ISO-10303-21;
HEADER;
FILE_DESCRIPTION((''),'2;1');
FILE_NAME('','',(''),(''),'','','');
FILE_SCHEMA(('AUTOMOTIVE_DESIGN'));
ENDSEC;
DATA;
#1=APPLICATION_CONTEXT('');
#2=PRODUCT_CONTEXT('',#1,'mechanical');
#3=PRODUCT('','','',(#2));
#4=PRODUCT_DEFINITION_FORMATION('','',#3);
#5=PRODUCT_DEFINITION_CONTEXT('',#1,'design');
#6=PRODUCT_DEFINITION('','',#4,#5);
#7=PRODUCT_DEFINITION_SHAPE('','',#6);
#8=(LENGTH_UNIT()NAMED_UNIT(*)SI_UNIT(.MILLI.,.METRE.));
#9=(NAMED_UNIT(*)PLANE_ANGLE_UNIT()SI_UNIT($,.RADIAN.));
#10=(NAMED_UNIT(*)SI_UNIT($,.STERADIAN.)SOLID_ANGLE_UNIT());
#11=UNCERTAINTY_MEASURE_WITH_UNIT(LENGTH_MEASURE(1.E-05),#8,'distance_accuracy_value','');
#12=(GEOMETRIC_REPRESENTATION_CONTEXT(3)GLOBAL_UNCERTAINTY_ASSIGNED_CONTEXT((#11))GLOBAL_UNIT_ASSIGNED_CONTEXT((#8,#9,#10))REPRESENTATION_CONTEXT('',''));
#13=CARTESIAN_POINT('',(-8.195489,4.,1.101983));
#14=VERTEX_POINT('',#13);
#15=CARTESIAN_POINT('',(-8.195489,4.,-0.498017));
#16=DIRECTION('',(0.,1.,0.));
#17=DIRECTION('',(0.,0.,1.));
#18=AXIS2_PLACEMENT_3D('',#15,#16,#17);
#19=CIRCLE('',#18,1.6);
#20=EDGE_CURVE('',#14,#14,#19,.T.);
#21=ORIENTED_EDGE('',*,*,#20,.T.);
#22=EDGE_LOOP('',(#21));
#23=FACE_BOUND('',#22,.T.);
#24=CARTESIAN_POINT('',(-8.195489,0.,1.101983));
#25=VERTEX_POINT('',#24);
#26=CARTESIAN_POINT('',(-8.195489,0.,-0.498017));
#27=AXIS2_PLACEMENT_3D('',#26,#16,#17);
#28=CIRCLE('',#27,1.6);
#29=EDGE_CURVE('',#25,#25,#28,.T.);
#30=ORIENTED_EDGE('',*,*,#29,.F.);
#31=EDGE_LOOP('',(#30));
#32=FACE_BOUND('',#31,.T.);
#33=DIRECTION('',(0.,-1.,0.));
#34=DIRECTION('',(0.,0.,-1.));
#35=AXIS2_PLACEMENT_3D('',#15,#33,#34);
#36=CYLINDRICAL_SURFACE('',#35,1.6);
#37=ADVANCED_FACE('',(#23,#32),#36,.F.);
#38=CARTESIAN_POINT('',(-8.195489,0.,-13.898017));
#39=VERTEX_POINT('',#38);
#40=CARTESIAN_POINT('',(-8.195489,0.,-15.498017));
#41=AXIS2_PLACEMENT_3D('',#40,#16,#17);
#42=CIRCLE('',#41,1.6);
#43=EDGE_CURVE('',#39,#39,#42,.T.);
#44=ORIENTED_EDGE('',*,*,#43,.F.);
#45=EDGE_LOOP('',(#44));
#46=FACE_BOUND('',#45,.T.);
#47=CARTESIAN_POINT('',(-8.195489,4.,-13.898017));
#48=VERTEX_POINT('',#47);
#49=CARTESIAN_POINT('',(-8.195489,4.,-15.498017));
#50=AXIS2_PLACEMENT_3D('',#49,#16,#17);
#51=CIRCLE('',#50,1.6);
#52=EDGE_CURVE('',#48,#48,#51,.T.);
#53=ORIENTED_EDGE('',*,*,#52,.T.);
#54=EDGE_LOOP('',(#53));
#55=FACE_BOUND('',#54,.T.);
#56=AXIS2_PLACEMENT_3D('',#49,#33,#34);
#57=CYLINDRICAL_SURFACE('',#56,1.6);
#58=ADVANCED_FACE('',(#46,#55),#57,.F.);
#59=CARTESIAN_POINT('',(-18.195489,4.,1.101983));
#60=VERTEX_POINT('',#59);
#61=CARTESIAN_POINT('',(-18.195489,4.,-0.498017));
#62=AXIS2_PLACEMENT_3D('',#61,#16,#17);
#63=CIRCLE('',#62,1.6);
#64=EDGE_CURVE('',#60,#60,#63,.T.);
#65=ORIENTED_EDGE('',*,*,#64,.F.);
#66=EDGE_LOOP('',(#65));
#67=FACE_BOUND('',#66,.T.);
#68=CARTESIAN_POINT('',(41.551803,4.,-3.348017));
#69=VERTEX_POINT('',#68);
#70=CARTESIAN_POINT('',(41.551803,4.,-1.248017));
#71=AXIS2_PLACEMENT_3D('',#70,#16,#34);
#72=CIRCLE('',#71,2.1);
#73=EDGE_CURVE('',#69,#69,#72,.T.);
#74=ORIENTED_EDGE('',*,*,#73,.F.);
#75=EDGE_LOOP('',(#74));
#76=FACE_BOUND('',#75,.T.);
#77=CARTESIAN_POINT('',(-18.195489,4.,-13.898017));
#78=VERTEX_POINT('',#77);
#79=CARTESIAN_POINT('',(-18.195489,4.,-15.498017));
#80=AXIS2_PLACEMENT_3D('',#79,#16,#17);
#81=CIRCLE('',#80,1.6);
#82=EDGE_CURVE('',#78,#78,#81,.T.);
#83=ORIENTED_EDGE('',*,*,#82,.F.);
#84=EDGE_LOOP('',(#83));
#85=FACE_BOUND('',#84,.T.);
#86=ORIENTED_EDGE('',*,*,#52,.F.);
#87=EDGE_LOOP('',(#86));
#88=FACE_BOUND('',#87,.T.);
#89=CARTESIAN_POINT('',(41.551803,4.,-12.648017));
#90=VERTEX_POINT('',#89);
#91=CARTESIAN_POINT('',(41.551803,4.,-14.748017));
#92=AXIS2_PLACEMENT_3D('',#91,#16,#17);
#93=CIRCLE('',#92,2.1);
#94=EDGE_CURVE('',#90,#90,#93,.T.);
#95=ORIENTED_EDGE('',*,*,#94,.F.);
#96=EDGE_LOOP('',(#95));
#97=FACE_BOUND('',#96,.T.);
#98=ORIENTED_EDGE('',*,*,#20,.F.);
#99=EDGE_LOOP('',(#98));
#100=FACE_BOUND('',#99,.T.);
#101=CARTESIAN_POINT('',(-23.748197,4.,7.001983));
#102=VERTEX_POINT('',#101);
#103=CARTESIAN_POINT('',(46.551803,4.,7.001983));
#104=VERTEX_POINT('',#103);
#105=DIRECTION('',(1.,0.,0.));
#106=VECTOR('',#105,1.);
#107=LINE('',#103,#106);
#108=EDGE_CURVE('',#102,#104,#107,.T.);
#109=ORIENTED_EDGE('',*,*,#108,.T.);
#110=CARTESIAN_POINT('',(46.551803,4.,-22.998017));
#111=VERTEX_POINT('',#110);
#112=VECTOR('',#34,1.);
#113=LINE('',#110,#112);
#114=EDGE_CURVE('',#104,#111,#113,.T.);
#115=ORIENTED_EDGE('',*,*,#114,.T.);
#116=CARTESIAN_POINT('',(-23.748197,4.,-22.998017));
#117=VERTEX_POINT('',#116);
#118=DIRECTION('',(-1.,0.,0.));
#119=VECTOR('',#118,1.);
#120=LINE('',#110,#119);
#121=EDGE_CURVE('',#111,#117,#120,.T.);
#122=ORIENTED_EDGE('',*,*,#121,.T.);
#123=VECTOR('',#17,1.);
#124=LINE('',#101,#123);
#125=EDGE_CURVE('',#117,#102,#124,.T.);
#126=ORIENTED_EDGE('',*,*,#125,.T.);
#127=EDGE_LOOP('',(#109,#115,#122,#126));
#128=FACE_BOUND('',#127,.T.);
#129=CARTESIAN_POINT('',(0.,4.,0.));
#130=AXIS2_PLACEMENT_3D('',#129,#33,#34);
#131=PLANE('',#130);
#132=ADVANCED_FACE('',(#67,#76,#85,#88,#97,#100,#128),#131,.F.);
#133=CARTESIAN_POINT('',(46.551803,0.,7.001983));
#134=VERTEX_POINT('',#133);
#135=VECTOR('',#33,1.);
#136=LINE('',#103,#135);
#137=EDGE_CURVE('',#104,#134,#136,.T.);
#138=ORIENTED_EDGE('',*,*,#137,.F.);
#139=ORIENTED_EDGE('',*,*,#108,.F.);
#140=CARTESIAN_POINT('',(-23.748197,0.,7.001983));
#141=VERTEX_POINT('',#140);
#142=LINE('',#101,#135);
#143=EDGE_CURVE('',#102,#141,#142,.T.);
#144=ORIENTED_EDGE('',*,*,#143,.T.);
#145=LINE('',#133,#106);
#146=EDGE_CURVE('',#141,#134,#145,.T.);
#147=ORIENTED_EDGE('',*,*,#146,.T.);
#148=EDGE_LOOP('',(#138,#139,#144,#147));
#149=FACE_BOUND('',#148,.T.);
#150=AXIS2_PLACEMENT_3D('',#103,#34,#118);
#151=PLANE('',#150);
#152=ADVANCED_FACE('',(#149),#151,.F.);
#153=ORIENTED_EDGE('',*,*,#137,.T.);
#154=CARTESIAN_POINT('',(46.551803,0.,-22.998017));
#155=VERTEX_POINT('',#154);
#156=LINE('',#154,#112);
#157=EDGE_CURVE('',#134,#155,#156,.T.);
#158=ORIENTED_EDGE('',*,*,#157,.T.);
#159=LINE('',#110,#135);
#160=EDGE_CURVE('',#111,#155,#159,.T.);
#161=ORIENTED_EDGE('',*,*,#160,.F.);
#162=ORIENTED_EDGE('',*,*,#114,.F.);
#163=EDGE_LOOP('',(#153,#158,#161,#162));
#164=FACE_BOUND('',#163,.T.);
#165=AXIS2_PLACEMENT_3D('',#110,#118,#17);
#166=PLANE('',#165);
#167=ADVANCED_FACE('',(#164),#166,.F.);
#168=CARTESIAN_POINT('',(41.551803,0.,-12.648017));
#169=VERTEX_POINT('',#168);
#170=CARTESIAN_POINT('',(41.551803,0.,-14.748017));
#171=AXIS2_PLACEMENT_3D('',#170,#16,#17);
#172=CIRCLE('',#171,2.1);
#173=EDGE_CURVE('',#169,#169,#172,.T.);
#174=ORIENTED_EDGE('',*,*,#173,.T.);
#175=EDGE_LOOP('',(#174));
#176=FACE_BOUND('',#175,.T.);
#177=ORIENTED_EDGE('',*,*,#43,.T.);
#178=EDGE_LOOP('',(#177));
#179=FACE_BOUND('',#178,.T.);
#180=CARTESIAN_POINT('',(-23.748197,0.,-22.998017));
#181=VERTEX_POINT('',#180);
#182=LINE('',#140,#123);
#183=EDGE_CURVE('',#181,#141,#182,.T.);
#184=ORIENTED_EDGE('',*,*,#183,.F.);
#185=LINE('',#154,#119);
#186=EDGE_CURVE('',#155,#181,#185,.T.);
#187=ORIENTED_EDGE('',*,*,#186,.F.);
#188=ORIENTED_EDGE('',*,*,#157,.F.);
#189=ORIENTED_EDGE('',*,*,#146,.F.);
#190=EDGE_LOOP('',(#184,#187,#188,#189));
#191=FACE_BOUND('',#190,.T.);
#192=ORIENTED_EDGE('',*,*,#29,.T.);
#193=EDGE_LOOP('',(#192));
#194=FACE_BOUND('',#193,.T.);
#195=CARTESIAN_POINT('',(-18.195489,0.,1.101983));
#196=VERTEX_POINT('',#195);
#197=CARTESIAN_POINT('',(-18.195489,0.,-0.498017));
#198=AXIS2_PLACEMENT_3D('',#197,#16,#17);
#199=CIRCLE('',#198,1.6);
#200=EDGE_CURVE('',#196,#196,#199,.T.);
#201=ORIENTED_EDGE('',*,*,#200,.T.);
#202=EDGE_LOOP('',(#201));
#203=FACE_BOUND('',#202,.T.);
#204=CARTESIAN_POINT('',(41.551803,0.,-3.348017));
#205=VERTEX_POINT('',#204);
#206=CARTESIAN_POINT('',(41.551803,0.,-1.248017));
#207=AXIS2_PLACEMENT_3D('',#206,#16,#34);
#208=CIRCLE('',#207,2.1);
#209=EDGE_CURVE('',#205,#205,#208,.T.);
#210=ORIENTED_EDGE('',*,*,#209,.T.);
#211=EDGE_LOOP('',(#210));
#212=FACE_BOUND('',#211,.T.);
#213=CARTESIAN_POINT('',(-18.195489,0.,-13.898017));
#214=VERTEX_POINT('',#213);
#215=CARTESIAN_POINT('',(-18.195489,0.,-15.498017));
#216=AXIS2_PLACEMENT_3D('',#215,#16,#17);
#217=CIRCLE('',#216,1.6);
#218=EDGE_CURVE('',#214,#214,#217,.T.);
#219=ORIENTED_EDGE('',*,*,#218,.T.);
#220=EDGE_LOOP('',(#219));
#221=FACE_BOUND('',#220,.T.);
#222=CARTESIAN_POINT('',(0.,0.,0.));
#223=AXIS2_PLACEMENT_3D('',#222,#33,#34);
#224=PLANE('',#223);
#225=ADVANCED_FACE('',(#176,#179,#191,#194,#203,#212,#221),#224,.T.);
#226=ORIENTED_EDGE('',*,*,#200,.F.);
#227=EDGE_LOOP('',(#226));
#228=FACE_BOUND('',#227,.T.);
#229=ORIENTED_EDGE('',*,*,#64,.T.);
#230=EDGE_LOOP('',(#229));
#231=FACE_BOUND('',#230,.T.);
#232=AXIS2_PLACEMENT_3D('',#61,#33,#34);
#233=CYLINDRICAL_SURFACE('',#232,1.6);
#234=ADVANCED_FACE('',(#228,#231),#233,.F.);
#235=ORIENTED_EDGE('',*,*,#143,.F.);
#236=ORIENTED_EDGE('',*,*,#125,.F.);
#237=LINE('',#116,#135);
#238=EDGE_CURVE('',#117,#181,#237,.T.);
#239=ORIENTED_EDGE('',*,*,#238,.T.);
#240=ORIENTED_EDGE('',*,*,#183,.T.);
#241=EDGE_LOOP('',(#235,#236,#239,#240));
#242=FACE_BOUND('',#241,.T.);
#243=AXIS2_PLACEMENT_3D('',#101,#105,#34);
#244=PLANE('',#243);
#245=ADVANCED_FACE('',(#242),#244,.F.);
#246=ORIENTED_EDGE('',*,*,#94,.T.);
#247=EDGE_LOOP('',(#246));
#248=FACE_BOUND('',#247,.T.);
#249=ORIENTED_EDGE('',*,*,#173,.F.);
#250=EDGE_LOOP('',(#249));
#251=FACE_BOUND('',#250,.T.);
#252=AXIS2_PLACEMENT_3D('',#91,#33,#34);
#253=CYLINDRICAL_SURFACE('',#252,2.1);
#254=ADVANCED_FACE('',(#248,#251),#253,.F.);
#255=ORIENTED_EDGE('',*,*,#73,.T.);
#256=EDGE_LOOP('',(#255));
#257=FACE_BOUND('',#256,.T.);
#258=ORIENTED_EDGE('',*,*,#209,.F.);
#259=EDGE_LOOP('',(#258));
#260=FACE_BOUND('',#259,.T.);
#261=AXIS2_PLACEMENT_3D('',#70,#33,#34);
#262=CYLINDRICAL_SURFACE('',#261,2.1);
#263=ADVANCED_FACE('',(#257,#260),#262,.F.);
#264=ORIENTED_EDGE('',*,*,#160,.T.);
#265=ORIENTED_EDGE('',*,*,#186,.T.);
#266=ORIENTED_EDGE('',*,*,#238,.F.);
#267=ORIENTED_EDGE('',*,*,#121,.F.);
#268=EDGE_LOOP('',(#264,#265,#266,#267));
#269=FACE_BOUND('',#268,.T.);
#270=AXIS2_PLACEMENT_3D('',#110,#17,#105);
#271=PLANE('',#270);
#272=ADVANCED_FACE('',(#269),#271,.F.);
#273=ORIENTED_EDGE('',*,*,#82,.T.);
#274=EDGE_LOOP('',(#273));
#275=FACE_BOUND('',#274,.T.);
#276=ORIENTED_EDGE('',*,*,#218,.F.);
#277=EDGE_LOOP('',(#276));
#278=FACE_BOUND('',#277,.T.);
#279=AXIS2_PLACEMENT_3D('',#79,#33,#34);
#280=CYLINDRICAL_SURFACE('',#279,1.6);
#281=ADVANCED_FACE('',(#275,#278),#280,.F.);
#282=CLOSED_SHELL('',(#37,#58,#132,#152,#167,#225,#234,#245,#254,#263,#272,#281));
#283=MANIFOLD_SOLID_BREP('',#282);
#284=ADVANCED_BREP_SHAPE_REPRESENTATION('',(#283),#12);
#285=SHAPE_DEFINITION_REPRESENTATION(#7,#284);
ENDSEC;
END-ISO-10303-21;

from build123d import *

# Parameters (mm, degrees)
SKETCH_1_W      = 70.3
SKETCH_1_H      = 30
SKETCH_1_R      = 1.6
SKETCH_1_R_2    = 2.1
EXTRUDE_1_DEPTH = 4


with BuildPart() as part:
    # 草图1 → 凸台-拉伸1 (new body)
    with BuildSketch(Plane(origin=(0, 0, 0), x_dir=(1, 0, 0), z_dir=(0, 1, 0))):
        with Locations((11.401803076, 7.998017492)):
            Rectangle(SKETCH_1_W, SKETCH_1_H)
        with Locations((-18.195488722, 15.498017492)):
            Circle(SKETCH_1_R, mode=Mode.SUBTRACT)
        with Locations((-18.195488722, 0.498017492)):
            Circle(SKETCH_1_R, mode=Mode.SUBTRACT)
        with Locations((-8.195488722, 15.498017492)):
            Circle(SKETCH_1_R, mode=Mode.SUBTRACT)
        with Locations((-8.195488722, 0.498017492)):
            Circle(SKETCH_1_R, mode=Mode.SUBTRACT)
        with Locations((41.551803076, 14.748017492)):
            Circle(SKETCH_1_R_2, mode=Mode.SUBTRACT)
        with Locations((41.551803076, 1.248017492)):
            Circle(SKETCH_1_R_2, mode=Mode.SUBTRACT)
    extrude(amount=EXTRUDE_1_DEPTH)


solid = part.part
